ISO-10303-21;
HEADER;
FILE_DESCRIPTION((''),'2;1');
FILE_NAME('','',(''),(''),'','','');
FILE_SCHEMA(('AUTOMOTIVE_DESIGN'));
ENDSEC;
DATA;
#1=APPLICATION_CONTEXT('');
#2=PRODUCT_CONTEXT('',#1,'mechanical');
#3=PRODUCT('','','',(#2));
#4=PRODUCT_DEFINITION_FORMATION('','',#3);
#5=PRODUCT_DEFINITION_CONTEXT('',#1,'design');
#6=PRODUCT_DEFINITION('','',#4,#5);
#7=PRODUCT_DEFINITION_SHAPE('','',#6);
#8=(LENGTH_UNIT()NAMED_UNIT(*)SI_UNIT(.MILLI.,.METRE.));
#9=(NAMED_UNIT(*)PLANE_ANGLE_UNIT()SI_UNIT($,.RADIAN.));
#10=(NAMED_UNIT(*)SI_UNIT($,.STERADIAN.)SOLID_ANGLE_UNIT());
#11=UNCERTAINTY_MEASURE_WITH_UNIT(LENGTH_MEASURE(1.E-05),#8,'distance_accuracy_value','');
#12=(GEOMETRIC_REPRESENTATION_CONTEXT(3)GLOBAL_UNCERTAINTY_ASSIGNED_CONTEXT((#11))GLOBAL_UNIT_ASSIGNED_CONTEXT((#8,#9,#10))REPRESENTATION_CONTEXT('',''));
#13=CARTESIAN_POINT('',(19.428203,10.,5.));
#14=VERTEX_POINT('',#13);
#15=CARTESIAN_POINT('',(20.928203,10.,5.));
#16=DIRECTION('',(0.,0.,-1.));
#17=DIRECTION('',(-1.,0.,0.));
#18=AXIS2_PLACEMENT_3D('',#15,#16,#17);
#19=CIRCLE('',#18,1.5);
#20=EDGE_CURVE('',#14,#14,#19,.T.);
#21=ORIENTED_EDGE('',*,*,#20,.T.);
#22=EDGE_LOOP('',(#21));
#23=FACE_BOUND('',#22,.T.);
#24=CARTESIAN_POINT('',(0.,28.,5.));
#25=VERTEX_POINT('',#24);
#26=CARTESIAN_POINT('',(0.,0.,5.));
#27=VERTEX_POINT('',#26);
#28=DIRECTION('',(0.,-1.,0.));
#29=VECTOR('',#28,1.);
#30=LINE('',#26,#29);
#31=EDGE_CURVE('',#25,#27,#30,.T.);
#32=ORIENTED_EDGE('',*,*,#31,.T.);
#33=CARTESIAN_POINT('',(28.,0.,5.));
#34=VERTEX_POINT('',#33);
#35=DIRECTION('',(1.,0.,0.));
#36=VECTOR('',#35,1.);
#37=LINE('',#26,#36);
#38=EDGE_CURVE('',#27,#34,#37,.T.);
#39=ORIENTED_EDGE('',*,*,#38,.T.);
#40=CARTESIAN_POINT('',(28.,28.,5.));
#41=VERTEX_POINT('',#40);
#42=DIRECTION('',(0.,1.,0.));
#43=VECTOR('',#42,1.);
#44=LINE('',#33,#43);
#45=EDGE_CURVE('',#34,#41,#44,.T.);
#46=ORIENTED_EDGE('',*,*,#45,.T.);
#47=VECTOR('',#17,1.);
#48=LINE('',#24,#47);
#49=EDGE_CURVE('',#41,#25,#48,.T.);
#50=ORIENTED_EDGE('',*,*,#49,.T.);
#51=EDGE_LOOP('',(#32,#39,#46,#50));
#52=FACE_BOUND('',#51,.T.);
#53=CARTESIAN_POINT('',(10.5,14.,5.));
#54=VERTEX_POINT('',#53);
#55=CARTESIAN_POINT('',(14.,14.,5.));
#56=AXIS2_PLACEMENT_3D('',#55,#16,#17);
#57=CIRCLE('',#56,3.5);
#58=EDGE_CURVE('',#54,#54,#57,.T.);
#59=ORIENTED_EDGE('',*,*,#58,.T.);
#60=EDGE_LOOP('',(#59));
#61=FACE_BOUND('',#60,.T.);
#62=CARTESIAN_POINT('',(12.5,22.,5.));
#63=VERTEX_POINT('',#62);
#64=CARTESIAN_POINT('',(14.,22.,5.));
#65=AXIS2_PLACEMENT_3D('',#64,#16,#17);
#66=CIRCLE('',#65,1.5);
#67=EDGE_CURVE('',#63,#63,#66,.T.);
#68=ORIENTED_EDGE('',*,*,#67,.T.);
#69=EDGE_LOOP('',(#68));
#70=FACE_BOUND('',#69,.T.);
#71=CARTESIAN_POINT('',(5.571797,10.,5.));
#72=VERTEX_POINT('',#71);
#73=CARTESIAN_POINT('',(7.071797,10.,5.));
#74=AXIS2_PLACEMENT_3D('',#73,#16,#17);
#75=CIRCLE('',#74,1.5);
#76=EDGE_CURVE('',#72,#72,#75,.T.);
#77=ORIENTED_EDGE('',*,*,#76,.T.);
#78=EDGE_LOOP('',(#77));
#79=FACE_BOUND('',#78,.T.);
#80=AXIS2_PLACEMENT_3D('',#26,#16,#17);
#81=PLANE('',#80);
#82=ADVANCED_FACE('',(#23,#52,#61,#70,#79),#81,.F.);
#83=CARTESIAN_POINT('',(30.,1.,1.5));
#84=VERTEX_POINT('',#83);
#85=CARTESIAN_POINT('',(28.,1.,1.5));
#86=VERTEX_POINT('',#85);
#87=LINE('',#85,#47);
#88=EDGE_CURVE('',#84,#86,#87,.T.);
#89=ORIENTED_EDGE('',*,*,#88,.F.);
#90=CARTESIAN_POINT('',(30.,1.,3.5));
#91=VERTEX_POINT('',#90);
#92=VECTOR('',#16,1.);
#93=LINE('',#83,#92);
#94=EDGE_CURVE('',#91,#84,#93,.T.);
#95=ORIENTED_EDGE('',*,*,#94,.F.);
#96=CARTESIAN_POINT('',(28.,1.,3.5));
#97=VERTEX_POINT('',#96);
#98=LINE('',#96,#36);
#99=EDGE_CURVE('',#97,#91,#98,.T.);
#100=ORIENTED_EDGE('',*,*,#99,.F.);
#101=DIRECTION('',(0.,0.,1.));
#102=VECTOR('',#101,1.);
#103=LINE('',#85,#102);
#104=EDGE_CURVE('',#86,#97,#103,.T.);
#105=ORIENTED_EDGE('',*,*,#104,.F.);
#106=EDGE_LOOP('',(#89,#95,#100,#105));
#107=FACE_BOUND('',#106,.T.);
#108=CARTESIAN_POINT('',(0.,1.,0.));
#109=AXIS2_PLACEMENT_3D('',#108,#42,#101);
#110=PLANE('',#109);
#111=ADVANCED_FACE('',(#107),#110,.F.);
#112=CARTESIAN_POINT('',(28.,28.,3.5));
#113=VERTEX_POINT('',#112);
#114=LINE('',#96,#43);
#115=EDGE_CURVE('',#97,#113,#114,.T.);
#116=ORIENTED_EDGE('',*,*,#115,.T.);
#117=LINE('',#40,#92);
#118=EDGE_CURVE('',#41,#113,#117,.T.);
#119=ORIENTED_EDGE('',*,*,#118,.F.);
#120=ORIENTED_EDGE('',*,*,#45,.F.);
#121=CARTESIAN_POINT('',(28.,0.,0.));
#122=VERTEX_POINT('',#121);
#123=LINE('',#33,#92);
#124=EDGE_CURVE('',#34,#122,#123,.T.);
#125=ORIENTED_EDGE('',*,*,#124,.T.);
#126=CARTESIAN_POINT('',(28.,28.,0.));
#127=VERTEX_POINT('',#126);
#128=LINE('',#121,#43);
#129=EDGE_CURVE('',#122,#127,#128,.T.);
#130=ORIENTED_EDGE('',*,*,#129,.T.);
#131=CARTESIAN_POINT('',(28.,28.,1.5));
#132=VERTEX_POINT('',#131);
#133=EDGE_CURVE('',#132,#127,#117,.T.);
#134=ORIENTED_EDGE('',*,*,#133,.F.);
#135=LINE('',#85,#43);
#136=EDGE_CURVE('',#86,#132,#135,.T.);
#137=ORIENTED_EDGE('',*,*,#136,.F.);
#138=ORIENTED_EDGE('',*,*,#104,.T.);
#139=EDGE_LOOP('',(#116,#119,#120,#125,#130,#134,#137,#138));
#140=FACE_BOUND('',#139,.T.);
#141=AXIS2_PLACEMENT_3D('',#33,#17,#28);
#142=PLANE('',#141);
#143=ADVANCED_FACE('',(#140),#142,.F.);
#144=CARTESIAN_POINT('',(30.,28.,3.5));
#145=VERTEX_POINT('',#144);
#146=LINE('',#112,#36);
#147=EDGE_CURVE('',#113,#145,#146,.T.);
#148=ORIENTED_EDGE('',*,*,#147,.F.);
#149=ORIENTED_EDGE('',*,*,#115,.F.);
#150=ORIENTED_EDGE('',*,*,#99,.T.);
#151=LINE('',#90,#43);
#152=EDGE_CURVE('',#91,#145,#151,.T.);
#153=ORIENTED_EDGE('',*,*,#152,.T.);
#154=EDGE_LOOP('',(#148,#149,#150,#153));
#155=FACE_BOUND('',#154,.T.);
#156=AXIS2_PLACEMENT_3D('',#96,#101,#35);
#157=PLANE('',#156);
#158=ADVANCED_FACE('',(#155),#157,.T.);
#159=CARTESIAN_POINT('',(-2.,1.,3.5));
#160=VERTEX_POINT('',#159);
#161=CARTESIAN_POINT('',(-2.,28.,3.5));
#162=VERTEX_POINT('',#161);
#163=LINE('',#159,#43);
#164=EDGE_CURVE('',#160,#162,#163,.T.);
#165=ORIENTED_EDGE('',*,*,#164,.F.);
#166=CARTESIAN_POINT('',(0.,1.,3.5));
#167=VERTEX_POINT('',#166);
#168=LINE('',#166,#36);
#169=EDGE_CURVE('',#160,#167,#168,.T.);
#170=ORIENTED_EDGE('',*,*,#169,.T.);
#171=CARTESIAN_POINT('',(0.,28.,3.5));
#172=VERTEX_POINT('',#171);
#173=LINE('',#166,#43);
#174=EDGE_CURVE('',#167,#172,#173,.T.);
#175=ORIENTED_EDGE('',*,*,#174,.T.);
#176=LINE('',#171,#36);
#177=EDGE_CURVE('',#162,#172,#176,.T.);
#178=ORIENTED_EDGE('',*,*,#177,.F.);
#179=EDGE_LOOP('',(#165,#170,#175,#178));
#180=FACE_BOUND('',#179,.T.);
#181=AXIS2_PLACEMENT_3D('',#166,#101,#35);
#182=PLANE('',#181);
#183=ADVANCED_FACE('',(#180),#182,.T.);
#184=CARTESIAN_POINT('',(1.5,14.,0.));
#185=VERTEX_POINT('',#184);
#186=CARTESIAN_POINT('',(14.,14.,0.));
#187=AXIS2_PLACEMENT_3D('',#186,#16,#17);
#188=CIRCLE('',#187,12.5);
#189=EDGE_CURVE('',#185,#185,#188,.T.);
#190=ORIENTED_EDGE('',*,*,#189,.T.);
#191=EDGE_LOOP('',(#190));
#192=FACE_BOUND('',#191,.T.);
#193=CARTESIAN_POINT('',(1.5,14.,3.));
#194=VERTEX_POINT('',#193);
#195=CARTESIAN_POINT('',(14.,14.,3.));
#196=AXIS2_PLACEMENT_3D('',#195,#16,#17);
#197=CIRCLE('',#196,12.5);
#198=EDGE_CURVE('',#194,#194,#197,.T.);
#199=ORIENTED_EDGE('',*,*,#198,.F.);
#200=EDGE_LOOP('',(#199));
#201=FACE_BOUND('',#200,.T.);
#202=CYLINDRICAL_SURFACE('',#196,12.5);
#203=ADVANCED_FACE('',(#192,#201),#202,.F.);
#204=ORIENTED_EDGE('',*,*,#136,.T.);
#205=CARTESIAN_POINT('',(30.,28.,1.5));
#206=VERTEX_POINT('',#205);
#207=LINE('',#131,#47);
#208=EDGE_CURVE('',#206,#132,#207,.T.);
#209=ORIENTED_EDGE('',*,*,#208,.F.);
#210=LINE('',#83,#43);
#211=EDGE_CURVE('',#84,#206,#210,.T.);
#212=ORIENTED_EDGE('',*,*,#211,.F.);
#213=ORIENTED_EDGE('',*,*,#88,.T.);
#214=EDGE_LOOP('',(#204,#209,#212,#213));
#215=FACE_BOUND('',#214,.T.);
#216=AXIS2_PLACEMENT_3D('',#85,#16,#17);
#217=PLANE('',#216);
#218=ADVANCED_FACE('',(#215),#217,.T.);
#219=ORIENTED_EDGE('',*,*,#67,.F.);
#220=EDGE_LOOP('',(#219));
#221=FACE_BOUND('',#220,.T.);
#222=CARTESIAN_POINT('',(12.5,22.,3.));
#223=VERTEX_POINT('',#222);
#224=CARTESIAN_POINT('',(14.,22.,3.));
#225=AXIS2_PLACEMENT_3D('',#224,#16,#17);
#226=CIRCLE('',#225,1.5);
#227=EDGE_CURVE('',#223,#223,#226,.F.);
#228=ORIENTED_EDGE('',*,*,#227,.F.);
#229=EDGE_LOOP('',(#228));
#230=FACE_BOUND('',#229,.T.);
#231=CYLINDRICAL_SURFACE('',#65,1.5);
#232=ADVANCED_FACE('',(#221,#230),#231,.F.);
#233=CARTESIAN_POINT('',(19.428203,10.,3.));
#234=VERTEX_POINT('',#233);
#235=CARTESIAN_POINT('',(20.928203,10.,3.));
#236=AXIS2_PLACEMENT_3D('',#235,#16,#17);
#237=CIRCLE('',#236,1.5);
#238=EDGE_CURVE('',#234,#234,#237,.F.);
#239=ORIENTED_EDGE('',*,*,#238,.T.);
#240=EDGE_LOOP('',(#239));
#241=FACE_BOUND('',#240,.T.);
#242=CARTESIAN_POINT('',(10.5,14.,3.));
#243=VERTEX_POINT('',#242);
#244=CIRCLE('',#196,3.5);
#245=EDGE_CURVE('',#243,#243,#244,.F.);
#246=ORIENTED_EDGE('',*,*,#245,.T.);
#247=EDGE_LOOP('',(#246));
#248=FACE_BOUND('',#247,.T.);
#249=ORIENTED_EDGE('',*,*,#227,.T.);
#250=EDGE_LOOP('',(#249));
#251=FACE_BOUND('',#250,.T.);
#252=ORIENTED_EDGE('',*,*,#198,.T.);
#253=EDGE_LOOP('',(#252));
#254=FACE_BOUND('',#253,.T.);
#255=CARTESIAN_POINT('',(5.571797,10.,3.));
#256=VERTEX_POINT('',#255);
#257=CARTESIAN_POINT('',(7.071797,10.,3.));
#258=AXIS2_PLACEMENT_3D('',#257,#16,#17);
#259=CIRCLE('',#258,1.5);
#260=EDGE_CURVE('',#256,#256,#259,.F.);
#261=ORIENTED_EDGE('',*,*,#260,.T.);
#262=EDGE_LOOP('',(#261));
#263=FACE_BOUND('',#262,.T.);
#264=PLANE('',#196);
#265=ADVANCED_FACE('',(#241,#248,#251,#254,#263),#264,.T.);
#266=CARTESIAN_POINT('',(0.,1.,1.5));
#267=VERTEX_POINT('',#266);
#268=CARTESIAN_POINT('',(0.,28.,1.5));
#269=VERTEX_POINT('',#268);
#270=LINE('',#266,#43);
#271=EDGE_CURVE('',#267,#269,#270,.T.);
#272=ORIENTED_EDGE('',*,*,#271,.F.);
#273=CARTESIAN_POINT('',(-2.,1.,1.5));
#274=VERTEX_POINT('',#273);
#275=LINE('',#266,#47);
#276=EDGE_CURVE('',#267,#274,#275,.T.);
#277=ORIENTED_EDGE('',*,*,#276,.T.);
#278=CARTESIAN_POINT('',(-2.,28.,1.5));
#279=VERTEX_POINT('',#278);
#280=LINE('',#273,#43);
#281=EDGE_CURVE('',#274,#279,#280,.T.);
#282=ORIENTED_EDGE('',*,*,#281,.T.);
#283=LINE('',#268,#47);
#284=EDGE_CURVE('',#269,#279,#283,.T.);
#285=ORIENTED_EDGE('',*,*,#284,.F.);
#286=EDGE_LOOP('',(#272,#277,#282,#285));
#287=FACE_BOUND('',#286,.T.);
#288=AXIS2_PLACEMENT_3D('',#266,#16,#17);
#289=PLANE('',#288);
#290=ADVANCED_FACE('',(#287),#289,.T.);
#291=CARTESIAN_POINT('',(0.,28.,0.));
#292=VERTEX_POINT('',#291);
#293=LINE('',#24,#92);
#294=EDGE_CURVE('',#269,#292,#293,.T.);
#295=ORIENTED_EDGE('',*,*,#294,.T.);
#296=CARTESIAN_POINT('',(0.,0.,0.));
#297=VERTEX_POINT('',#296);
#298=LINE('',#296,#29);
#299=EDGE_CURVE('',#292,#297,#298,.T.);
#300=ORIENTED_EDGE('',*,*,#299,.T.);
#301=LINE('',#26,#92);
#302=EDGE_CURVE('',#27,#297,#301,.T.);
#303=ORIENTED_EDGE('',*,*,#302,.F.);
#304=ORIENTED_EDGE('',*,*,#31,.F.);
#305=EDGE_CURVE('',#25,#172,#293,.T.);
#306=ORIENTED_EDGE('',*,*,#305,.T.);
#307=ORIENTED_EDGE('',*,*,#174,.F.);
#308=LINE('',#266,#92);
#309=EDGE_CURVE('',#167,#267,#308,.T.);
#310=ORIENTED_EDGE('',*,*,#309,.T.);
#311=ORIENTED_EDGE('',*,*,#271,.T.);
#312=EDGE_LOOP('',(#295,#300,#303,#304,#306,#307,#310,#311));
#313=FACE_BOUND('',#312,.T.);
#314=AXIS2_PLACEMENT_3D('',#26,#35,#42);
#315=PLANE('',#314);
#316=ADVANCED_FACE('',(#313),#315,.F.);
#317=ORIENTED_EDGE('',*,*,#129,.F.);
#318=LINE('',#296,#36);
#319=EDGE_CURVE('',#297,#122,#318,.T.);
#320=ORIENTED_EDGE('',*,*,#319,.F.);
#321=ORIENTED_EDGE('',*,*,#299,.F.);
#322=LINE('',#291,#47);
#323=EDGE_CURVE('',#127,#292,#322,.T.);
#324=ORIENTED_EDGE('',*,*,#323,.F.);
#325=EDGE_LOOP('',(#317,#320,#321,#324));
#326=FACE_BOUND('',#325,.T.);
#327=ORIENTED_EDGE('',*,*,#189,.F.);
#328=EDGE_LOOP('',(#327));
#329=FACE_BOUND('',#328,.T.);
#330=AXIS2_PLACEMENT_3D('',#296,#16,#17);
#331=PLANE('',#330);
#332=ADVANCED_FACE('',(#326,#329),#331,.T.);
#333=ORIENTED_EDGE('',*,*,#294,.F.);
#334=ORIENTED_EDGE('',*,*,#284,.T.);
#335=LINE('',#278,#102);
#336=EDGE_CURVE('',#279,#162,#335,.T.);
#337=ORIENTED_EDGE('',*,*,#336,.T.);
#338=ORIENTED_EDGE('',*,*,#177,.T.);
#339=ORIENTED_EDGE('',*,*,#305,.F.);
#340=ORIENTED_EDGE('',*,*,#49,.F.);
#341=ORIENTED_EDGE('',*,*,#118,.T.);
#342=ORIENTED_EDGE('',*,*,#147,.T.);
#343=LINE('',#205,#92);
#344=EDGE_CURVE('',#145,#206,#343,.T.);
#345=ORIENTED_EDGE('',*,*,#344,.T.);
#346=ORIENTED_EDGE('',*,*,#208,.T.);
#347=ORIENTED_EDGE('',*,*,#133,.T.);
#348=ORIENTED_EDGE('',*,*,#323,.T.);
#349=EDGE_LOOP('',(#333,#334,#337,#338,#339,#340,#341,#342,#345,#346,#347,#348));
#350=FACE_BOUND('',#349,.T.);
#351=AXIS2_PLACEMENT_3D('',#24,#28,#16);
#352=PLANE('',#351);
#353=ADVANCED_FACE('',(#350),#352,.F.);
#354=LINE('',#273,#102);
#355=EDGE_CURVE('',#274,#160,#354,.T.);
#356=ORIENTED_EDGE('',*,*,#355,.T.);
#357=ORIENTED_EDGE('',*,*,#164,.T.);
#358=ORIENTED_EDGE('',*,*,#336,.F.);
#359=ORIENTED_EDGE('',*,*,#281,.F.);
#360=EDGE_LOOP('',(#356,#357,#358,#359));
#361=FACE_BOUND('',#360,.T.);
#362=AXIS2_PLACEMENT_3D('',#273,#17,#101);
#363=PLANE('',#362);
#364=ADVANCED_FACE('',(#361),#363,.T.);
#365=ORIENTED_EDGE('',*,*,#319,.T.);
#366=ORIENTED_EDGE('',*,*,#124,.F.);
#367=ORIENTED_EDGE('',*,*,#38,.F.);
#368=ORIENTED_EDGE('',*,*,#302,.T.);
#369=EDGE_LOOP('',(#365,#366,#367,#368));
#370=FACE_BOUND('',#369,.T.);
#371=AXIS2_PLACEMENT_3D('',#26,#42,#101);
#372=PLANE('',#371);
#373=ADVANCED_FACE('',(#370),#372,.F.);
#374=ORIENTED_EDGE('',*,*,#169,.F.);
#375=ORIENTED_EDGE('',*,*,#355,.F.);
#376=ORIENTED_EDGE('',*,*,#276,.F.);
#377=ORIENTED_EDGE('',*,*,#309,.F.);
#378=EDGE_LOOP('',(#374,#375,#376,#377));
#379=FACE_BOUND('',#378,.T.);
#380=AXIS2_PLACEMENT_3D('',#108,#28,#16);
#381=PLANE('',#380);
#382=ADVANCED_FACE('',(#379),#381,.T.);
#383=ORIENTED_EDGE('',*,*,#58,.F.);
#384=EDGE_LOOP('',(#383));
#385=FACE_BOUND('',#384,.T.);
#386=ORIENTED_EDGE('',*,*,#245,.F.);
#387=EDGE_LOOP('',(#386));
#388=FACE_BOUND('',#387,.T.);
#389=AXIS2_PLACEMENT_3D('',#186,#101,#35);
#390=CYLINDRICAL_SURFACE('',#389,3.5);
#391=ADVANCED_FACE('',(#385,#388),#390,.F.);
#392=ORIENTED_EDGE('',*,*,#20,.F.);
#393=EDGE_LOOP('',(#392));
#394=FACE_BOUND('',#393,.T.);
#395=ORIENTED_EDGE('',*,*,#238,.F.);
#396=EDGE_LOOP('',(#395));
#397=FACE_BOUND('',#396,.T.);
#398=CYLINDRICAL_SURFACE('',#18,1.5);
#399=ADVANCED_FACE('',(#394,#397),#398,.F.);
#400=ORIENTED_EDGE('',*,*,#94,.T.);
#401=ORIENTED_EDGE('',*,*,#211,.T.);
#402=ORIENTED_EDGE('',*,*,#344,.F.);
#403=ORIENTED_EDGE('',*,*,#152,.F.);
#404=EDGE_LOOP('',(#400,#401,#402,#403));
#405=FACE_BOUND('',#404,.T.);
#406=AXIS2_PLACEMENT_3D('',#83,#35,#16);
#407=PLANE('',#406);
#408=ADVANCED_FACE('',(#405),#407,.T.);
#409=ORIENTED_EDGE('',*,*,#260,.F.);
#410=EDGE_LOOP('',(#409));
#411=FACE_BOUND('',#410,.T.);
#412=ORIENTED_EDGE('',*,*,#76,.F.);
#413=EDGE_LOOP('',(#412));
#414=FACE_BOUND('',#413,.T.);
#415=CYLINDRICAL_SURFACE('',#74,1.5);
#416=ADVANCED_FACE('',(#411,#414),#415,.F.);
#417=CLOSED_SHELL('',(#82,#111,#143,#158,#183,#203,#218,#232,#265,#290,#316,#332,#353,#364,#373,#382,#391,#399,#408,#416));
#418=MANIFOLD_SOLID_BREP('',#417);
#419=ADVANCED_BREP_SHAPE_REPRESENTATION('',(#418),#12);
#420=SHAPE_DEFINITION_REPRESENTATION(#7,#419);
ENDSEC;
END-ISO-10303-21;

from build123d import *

# Parameters (mm, degrees)
ESQUISSE1_W                  = 28
ESQUISSE1_H                  = 28
BOSS_EXTRU_1_DEPTH           = 5
ENL_V_MAT_EXTRU_1_DEPTH      = 40.912404087
ENL_V_MAT_EXTRU_1_DEPTH_BACK = 40.912404087
ESQUISSE2_R                  = 3.5
ESQUISSE3_W                  = 2
ESQUISSE3_H                  = 2
BOSS_EXTRU_2_DEPTH           = 27
ESQUISSE5_R                  = 1.5
ENL_V_MAT_EXTRU_3_DEPTH      = 42.340053217
ESQUISSE6_R                  = 12.5
ENL_V_MAT_EXTRU_4_DEPTH      = 3


with BuildPart() as part:
    # Esquisse1 → Boss.-Extru.1 (new body)
    with BuildSketch(Plane.XY):
        with Locations((14, 14)):
            Rectangle(ESQUISSE1_W, ESQUISSE1_H)
    extrude(amount=BOSS_EXTRU_1_DEPTH)

    # Esquisse2 → Enlèv. mat.-Extru.1 (cut, two sides: drawn at the far end of the back side and taken through both)
    with BuildSketch(Plane.XY.offset(5).offset(-ENL_V_MAT_EXTRU_1_DEPTH_BACK)):
        with Locations((14, 14)):
            Circle(ESQUISSE2_R)
    extrude(amount=ENL_V_MAT_EXTRU_1_DEPTH + ENL_V_MAT_EXTRU_1_DEPTH_BACK, mode=Mode.SUBTRACT)

    # Esquisse3 → Boss.-Extru.2 (add)
    with BuildSketch(Plane(origin=(0, 28, 0), x_dir=(1, 0, 0), z_dir=(0, 1, 0))):
        with Locations((-1, -2.5)):
            Rectangle(ESQUISSE3_W, ESQUISSE3_H)
        with Locations((29, -2.5)):
            Rectangle(ESQUISSE3_W, ESQUISSE3_H)
    extrude(amount=-BOSS_EXTRU_2_DEPTH)

    # Esquisse5 → Enlèv. mat.-Extru.3 (cut, through all)
    with BuildSketch(Plane(origin=(0, 0, 0), x_dir=(-1, 0, 0), z_dir=(0, 0, -1))):
        with Locations((-14, 22)):
            Circle(ESQUISSE5_R)
        with Locations((-20.92820323, 10)):
            Circle(ESQUISSE5_R)
        with Locations((-7.07179677, 10)):
            Circle(ESQUISSE5_R)
    extrude(amount=-ENL_V_MAT_EXTRU_3_DEPTH, mode=Mode.SUBTRACT)

    # Esquisse6 → Enlèv. mat.-Extru.4 (cut)
    with BuildSketch(Plane(origin=(0, 0, 0), x_dir=(-1, 0, 0), z_dir=(0, 0, -1))):
        with Locations((-14, 14)):
            Circle(ESQUISSE6_R)
    extrude(amount=-ENL_V_MAT_EXTRU_4_DEPTH, mode=Mode.SUBTRACT)


solid = part.part
